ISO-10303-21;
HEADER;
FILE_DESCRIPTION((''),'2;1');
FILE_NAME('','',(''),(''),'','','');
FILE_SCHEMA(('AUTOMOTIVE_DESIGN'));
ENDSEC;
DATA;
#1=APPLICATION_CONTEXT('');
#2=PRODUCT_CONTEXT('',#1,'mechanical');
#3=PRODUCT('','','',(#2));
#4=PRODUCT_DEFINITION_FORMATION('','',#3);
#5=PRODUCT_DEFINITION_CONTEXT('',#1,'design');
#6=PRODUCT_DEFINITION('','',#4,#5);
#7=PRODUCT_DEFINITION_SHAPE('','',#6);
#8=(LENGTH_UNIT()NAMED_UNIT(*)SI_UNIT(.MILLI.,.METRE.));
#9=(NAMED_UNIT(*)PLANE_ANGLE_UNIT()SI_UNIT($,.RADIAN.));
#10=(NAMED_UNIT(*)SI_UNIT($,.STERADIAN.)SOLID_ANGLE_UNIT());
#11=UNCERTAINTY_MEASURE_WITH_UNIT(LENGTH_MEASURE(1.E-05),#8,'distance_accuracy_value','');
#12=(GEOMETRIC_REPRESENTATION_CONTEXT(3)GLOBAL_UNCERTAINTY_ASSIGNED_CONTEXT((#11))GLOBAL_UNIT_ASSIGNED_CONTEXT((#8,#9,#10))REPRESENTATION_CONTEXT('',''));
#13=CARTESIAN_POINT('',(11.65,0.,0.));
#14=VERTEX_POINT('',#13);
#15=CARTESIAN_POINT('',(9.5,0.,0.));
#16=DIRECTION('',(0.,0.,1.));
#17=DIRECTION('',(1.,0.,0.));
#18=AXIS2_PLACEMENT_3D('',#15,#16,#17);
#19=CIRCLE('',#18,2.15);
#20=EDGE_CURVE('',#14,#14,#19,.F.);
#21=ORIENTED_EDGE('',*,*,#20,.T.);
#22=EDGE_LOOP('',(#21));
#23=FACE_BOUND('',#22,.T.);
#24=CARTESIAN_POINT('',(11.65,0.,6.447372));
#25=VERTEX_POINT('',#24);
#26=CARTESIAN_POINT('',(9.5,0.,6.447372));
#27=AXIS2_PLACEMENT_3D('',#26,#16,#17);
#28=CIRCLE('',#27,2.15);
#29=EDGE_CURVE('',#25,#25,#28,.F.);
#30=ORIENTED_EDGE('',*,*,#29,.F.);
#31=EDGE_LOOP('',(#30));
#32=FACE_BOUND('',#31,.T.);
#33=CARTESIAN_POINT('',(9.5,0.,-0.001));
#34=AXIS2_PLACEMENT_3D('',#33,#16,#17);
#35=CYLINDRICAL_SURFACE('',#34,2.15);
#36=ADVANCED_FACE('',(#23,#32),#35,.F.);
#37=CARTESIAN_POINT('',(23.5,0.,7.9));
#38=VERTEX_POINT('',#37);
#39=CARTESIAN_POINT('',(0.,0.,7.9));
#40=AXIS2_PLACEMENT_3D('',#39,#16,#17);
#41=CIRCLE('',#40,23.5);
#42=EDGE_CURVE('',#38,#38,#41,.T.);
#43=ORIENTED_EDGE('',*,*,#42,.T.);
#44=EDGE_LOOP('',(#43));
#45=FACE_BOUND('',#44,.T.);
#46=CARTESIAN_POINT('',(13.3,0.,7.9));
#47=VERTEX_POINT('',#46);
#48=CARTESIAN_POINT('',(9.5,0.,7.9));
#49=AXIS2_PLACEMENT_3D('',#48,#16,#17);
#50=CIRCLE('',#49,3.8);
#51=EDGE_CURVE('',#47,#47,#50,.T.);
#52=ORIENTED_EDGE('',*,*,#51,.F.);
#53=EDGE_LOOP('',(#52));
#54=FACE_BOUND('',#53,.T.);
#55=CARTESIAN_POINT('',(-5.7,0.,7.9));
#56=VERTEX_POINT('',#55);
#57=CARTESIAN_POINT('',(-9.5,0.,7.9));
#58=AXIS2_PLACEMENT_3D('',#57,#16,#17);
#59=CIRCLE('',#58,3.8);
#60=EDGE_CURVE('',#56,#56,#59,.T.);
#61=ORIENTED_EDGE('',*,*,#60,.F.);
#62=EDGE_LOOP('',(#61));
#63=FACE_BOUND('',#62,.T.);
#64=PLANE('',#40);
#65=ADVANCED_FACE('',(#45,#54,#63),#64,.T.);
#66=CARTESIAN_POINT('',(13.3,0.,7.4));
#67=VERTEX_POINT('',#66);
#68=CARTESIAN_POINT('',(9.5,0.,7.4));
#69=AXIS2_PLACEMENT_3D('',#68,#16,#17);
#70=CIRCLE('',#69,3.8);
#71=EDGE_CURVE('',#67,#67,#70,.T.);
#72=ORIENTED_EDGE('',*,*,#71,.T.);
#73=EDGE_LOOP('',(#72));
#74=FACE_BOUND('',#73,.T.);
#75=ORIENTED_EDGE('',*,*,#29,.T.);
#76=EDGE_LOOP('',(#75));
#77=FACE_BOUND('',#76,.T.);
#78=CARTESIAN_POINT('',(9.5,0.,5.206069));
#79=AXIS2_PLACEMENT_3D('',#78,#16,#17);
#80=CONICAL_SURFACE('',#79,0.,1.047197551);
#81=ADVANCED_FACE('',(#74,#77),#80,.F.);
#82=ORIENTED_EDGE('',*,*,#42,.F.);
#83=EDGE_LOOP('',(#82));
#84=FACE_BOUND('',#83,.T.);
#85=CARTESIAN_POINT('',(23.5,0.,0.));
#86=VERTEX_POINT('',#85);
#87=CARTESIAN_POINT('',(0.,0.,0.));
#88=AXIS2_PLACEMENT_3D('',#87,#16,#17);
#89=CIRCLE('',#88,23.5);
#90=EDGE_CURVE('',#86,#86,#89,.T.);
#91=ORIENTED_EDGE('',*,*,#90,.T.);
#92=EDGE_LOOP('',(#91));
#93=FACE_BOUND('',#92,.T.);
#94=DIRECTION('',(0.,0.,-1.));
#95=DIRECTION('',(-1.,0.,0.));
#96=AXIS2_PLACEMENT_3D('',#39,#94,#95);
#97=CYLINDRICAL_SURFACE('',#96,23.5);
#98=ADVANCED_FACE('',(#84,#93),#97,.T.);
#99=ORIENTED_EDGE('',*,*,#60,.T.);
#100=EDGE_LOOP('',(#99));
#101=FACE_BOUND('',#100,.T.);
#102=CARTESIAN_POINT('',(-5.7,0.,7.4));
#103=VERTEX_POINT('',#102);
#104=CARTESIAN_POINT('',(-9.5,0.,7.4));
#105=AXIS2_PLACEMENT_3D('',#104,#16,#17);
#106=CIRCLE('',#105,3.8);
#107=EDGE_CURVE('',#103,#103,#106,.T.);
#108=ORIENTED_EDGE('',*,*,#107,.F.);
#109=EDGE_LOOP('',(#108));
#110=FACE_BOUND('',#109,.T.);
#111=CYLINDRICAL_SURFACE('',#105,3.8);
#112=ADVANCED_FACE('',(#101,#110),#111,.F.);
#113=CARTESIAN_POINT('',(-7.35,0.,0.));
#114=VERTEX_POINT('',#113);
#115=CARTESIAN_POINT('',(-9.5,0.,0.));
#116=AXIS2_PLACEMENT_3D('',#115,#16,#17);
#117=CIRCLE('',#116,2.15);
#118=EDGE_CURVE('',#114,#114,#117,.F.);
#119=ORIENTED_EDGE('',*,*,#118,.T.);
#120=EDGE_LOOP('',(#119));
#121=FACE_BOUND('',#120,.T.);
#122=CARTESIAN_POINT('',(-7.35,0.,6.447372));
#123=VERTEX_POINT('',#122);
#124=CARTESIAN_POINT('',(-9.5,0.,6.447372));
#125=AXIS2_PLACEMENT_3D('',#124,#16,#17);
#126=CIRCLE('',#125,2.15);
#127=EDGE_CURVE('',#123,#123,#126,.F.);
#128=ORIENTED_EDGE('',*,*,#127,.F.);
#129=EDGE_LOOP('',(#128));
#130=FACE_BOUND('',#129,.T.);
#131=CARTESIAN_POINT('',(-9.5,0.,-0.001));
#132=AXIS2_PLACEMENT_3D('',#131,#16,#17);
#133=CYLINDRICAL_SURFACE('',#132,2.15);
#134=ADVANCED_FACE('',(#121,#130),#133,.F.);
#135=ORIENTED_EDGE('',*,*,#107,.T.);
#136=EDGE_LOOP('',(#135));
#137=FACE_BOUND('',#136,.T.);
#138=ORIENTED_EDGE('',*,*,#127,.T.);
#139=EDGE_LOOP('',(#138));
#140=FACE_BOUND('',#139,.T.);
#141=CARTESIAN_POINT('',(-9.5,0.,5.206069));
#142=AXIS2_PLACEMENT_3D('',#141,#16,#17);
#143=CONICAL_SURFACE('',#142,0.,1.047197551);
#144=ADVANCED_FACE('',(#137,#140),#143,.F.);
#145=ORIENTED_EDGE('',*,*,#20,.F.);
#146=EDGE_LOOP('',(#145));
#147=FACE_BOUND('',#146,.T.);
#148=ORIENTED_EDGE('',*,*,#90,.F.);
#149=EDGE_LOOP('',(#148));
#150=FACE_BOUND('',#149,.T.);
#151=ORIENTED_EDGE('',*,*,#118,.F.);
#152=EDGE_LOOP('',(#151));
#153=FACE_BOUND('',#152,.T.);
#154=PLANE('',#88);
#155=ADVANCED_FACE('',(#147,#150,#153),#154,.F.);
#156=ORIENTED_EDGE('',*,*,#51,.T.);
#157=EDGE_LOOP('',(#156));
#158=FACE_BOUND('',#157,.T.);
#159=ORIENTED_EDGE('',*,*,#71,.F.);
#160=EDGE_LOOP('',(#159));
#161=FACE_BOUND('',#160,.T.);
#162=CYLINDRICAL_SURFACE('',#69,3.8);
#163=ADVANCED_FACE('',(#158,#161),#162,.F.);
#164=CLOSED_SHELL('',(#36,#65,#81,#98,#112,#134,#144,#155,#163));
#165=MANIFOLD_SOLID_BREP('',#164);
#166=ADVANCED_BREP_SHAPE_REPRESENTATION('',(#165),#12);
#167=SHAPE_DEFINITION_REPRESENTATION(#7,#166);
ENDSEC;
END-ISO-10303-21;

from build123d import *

# Parameters (mm, degrees)
SKETCH1_R           = 23.5
BOSS_EXTRUDE1_DEPTH = 7.9
CUT_EXTRUDE1_REACH  = 36.16
SKETCH2_R           = 2.15
SKETCH3_R           = 3.8
CUT_EXTRUDE2_DEPTH  = 0.5


with BuildPart() as part:
    # Sketch1 → Boss-Extrude1 (new body)
    with BuildSketch(Plane.XY):
        Circle(SKETCH1_R)
    extrude(amount=BOSS_EXTRUDE1_DEPTH)

    # Sketch2 → Cut-Extrude1 (cut, up to next)
    with BuildSketch(Plane.XY.offset(7.9), mode=Mode.PRIVATE) as cut_extrude1_sk1:
        with Locations((-9.5, 0)):
            Circle(SKETCH2_R)
    cut_extrude1_tool1 = extrude(cut_extrude1_sk1.sketch, amount=-CUT_EXTRUDE1_REACH, mode=Mode.PRIVATE) & part.part
    # Sketch2 → Cut-Extrude1 (cut, up to next)
    with BuildSketch(Plane.XY.offset(7.9), mode=Mode.PRIVATE) as cut_extrude1_sk2:
        with Locations((9.5, 0)):
            Circle(SKETCH2_R)
    cut_extrude1_tool2 = extrude(cut_extrude1_sk2.sketch, amount=-CUT_EXTRUDE1_REACH, mode=Mode.PRIVATE) & part.part
    add(cut_extrude1_tool1.solids().sort_by_distance((-9.5, 0, 7.9))[0], mode=Mode.SUBTRACT)
    add(cut_extrude1_tool2.solids().sort_by_distance((9.5, 0, 7.9))[0], mode=Mode.SUBTRACT)

    # Sketch3 → Cut-Extrude2 (cut)
    with BuildSketch(Plane.XY.offset(7.9)):
        with Locations((-9.5, 0)):
            Circle(SKETCH3_R)
        with Locations((9.5, 0)):
            Circle(SKETCH3_R)
    extrude(amount=-CUT_EXTRUDE2_DEPTH, mode=Mode.SUBTRACT)

    # Sketch7 → Cut-Revolve5 (revolve, cut)
    with BuildSketch(Plane(origin=(0, 0, 0), x_dir=(1, 0, 0), z_dir=(0, 1, 0)), mode=Mode.PRIVATE) as cut_revolve5_sk:
        Polygon((9.5, -7.4), (9.5, -5.206068977), (5.7, -7.4), align=None)
    revolve(cut_revolve5_sk.sketch.rotate(Axis((9.5, 0, 7.4), (0, 0, -1)), 180), axis=Axis((9.5, 0, 7.4), (0, 0, -1)), mode=Mode.SUBTRACT)

    # Sketch6 → Cut-Revolve6 (revolve, cut)
    with BuildSketch(Plane(origin=(0, 0, 0), x_dir=(1, 0, 0), z_dir=(0, 1, 0)), mode=Mode.PRIVATE) as cut_revolve6_sk:
        Polygon((-9.5, -7.4), (-9.5, -5.206068977), (-13.3, -7.4), align=None)
    revolve(cut_revolve6_sk.sketch.rotate(Axis((-9.5, 0, 7.4), (0, 0, -1)), 180), axis=Axis((-9.5, 0, 7.4), (0, 0, -1)), mode=Mode.SUBTRACT)


solid = part.part
